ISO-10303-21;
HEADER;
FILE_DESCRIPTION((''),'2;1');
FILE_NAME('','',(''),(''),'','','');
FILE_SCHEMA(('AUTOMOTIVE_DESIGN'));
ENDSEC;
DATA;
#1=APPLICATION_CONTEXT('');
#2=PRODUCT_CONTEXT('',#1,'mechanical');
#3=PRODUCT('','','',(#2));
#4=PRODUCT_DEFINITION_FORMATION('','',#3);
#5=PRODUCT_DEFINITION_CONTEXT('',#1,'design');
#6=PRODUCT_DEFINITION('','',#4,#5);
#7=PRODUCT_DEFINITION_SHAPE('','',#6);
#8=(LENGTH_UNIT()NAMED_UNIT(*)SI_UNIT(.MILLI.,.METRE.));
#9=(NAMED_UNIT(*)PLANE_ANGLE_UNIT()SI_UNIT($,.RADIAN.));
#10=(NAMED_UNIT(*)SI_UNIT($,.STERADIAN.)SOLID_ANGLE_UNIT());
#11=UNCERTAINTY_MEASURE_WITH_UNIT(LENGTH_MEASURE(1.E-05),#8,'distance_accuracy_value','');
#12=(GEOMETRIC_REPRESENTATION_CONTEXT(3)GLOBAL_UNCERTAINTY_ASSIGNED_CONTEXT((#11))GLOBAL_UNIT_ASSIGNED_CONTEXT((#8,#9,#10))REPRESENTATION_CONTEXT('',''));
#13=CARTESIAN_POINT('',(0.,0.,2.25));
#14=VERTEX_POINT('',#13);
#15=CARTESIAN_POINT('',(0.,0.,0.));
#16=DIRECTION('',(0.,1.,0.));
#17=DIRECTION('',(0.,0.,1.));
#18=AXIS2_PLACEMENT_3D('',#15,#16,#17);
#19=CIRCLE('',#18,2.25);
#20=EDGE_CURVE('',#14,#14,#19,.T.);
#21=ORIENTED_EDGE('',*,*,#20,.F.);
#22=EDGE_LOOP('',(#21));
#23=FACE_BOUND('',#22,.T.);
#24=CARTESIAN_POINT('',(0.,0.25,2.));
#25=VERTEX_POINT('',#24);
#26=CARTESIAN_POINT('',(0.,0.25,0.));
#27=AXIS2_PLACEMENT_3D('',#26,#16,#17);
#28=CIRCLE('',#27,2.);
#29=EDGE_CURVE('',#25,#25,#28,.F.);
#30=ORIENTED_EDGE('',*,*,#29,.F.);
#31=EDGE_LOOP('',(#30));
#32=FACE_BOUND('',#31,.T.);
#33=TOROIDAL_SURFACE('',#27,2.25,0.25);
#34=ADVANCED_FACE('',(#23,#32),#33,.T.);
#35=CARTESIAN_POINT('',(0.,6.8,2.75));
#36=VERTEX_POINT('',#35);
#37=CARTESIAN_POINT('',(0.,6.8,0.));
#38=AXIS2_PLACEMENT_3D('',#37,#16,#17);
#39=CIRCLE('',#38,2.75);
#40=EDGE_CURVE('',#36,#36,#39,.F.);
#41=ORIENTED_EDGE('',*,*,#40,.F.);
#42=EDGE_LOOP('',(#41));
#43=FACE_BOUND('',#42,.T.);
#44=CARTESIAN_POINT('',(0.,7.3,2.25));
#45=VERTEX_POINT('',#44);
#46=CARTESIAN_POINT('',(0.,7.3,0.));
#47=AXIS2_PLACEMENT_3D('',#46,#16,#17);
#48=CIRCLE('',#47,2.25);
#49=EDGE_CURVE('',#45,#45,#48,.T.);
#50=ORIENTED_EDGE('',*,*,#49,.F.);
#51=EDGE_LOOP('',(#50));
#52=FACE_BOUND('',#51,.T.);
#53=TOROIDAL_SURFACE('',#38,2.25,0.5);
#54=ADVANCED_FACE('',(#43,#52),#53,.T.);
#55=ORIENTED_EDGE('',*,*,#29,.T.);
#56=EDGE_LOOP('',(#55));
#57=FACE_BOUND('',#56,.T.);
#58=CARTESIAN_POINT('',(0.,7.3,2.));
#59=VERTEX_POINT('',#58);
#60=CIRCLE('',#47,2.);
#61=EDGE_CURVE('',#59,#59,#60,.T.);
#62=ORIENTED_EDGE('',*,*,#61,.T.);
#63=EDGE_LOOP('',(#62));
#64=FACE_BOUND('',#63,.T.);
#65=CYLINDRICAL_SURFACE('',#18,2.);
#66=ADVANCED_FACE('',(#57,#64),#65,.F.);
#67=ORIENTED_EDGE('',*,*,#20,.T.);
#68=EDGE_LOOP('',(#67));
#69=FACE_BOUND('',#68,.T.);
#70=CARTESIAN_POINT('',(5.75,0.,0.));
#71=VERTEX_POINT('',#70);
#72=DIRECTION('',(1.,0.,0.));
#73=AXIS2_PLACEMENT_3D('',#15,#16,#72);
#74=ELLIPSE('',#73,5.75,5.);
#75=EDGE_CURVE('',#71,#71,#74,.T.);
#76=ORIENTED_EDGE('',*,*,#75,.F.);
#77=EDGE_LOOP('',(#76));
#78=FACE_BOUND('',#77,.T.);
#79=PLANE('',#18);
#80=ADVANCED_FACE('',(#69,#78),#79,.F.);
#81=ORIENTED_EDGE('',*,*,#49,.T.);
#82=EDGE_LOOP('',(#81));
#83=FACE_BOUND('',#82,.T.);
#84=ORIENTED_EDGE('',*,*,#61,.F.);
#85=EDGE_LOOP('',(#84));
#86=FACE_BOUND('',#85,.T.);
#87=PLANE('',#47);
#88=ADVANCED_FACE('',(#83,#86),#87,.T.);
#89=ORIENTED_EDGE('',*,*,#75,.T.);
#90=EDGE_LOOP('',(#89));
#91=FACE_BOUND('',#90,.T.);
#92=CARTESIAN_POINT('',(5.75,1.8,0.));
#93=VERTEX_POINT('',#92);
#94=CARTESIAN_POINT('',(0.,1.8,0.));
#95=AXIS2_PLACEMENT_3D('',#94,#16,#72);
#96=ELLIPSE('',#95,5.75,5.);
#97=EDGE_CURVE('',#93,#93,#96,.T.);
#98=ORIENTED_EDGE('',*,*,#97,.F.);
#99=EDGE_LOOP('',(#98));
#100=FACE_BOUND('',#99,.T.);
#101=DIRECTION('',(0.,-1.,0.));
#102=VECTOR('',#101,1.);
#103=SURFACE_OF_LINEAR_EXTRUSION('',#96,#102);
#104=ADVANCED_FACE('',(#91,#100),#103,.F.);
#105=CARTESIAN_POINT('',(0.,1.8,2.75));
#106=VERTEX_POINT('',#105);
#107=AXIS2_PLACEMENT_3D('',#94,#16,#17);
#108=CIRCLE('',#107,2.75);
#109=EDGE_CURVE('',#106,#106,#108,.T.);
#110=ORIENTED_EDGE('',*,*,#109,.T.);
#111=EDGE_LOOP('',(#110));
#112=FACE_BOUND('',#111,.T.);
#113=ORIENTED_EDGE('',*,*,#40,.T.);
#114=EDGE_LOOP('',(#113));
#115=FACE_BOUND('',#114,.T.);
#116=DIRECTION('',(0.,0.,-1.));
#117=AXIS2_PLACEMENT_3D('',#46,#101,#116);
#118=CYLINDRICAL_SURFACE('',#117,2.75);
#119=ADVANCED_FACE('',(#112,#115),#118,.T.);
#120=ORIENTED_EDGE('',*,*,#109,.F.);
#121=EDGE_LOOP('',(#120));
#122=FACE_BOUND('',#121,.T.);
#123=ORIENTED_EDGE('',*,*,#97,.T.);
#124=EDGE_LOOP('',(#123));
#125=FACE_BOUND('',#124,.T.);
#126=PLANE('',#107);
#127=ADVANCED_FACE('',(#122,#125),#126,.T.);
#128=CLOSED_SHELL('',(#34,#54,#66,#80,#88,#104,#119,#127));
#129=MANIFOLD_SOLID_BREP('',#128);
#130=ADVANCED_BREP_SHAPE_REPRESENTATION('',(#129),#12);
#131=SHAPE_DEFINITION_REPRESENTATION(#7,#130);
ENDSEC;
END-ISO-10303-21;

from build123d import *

# Parameters (mm, degrees)
SKETCH1_RX          = 5.75
SKETCH1_RY          = 5
BOSS_EXTRUDE1_DEPTH = 1.8
SKETCH2_R           = 2.75
BOSS_EXTRUDE2_DEPTH = 5.5
SKETCH3_R           = 2
CUT_EXTRUDE1_DEPTH  = 8.3
FILLET1_R           = 0.25
FILLET2_R           = 0.5


with BuildPart() as part:
    # Sketch1 → Boss-Extrude1 (new body)
    with BuildSketch(Plane(origin=(0, 0, 0), x_dir=(1, 0, 0), z_dir=(0, 1, 0))):
        with Locations((0, 0)):
            Ellipse(SKETCH1_RX, SKETCH1_RY)
    extrude(amount=BOSS_EXTRUDE1_DEPTH)

    # Sketch2 → Boss-Extrude2 (add)
    with BuildSketch(Plane(origin=(0, 1.8, 0), x_dir=(1, 0, 0), z_dir=(0, 1, 0))):
        Circle(SKETCH2_R)
    extrude(amount=BOSS_EXTRUDE2_DEPTH)

    # Sketch3 → Cut-Extrude1 (cut, through all)
    with BuildSketch(Plane(origin=(0, 7.3, 0), x_dir=(1, 0, 0), z_dir=(0, 1, 0))):
        Circle(SKETCH3_R)
    extrude(amount=-CUT_EXTRUDE1_DEPTH, mode=Mode.SUBTRACT)

    # Fillet1
    fillet1_edges = [part.edges().sort_by_distance(p)[0] for p in [
        (-2, 0, 0),
    ]]
    fillet(fillet1_edges, radius=FILLET1_R)

    # Fillet2
    fillet2_edges = [part.edges().sort_by_distance(p)[0] for p in [
        (-2.75, 7.3, 0),
    ]]
    fillet(fillet2_edges, radius=FILLET2_R)


solid = part.part
